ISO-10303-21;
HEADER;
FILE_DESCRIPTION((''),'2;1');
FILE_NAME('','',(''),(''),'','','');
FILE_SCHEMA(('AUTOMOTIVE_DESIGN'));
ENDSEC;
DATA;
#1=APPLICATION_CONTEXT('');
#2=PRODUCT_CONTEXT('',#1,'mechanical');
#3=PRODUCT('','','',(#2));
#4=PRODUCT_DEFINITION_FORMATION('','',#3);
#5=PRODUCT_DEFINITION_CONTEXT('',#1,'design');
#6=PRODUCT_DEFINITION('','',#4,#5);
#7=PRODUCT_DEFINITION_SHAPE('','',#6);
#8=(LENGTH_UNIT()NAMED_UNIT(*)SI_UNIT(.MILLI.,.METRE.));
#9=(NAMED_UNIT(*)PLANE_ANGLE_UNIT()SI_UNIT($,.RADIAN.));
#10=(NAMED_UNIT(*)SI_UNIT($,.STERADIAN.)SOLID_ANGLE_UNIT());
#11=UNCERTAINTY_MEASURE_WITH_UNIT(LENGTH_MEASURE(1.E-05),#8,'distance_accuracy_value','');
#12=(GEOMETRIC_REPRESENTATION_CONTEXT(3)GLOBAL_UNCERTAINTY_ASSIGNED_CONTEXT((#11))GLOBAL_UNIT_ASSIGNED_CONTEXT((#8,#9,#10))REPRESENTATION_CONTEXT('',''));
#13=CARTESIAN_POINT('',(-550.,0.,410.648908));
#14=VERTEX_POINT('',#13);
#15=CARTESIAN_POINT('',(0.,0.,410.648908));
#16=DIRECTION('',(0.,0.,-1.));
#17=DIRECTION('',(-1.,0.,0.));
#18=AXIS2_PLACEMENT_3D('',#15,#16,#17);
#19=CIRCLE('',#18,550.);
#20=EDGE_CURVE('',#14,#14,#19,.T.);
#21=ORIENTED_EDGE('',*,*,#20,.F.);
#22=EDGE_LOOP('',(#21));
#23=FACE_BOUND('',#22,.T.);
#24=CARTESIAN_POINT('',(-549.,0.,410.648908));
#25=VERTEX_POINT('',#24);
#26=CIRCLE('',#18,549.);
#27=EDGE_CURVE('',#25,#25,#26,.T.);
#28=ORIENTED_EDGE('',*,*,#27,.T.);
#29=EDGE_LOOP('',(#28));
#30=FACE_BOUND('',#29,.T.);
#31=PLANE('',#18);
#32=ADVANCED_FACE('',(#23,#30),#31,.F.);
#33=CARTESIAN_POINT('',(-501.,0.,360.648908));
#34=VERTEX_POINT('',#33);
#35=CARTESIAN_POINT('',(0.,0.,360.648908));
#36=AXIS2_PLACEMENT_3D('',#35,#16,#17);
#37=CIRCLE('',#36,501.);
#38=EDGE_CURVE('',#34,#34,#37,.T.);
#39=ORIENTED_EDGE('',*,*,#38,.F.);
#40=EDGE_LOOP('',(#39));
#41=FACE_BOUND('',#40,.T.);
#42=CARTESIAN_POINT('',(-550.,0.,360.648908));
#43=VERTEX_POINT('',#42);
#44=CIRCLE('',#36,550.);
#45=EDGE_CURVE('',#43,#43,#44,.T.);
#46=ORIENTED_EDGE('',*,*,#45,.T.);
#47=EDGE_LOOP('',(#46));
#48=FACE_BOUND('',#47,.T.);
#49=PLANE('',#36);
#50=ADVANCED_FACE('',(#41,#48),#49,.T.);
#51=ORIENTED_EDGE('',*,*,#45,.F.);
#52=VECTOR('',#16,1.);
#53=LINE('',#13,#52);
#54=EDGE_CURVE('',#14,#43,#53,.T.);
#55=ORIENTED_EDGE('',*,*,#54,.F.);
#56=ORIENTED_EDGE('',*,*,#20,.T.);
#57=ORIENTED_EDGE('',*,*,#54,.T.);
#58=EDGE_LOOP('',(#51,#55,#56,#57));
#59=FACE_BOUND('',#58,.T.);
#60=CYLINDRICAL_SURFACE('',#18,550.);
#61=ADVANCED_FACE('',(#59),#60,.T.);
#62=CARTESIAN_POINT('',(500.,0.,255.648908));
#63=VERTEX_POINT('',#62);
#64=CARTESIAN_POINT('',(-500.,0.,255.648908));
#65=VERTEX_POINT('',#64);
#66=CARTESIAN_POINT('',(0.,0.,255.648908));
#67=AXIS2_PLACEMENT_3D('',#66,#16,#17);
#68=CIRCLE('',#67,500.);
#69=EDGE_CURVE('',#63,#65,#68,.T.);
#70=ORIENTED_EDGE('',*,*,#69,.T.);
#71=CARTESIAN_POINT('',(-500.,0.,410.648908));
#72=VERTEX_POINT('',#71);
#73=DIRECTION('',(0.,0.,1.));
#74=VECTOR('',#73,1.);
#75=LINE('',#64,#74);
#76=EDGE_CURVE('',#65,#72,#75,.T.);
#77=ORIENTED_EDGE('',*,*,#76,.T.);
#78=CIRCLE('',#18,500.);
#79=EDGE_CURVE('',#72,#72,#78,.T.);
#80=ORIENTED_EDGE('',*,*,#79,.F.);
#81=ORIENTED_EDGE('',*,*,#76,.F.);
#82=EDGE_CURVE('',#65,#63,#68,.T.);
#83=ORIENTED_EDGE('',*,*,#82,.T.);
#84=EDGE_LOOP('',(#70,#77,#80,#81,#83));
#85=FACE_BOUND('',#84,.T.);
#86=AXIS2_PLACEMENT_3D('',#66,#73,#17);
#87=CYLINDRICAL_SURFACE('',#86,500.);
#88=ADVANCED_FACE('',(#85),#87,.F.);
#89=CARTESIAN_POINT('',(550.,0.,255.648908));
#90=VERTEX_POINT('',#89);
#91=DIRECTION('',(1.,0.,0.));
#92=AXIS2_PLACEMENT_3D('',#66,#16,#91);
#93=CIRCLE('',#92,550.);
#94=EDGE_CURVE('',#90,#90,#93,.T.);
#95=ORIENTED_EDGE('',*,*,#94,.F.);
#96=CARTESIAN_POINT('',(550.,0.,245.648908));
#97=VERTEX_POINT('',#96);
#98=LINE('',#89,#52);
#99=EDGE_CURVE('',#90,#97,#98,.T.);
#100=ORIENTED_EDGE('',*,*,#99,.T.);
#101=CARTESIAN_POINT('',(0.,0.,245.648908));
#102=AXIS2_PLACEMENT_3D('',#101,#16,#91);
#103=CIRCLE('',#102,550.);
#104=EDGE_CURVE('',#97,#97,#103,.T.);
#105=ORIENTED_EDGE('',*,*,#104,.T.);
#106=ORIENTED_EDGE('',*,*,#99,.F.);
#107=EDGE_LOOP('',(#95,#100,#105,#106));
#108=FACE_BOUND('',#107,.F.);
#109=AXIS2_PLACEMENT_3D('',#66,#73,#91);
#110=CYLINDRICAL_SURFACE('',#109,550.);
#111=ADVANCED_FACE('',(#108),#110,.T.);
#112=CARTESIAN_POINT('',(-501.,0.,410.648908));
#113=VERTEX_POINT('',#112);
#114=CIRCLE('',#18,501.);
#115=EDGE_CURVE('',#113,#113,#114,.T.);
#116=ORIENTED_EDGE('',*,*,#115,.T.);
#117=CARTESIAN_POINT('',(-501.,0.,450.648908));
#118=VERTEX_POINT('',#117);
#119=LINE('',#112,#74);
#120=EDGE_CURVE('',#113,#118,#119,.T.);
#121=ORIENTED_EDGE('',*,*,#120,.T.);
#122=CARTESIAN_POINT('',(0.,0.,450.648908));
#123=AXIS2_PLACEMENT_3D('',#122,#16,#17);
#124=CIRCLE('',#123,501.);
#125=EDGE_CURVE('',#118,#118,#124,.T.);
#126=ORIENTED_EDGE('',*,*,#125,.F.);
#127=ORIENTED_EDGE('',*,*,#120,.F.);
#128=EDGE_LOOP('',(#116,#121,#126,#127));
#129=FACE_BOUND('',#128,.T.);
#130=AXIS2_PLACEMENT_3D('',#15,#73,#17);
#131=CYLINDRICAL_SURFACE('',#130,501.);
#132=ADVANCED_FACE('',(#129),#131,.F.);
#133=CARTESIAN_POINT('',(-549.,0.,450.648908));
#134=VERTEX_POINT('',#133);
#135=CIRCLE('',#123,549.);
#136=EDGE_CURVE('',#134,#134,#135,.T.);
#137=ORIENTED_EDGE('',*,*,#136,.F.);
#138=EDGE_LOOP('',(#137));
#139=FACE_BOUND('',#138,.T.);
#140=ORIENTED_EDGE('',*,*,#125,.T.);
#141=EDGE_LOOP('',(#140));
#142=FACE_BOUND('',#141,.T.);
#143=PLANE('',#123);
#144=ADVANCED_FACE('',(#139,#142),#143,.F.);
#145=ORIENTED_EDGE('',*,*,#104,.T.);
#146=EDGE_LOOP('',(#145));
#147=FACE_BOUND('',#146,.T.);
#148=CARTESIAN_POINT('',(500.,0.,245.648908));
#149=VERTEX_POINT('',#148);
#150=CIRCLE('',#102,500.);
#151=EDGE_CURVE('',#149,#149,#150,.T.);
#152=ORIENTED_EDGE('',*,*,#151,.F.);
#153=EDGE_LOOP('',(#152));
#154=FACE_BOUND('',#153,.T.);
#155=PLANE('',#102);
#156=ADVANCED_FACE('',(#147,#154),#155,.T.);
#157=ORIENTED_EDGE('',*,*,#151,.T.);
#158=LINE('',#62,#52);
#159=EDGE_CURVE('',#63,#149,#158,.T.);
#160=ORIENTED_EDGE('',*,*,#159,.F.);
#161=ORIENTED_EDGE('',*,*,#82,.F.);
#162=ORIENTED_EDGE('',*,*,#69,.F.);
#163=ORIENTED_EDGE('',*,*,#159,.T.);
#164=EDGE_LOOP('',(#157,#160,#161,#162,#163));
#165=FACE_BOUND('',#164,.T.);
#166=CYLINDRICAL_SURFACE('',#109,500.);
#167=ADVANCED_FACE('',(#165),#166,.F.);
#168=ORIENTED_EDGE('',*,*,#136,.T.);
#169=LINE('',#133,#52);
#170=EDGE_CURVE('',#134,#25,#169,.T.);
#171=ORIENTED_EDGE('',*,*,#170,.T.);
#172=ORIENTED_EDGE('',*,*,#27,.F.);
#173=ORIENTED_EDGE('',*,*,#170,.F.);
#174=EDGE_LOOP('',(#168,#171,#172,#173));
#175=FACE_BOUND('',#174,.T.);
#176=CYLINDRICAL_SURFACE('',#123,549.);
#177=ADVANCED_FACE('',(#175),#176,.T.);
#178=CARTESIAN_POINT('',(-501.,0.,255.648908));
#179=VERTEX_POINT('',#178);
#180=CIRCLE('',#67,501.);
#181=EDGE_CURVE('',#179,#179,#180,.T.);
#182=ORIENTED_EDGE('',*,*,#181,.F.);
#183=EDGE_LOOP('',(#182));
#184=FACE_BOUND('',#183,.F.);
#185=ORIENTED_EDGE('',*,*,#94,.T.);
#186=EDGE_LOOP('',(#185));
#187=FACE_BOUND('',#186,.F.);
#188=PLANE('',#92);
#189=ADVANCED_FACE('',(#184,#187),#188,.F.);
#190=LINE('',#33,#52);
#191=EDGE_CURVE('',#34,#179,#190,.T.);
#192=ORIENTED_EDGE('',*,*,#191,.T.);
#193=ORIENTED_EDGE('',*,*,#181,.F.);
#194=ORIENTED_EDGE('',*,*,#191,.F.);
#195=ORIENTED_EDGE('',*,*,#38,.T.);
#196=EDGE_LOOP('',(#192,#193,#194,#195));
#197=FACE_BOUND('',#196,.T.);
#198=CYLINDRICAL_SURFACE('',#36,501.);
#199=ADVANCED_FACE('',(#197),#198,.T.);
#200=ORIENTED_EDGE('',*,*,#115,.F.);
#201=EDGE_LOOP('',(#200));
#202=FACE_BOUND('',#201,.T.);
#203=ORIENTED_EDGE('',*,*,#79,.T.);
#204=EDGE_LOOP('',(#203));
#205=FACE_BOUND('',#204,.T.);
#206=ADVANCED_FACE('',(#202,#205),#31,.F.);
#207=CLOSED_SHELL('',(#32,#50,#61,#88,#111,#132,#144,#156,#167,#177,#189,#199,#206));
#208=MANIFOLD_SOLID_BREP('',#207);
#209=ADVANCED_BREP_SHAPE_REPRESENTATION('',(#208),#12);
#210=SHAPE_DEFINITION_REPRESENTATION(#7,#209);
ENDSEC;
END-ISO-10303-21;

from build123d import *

# Parameters (mm, degrees)
F2_R     = 550
F2_R_2   = 500
F3_DEPTH = 10


with BuildPart() as f1:
    # F0 (on Front) → F1 (revolve)
    with BuildSketch(Plane.XZ):
        Polygon((-500, 255.648908), (-500, 295.648908), (-500, 410.648908), (-501, 410.648908), (-501, 450.648908), (-549, 450.648908), (-549, 410.648908), (-550, 410.648908), (-550, 360.648908), (-501, 360.648908), (-501, 295.648908), (-501, 255.648908), align=None)
    revolve(axis=Axis((0, 0, 3.084838), (0, 0, -1)))

    # F2 (on face) → F3 (join)
    with BuildSketch(Plane(origin=(0, 0, 255.648908), x_dir=(1, 0, 0), z_dir=(0, 0, -1))):
        Circle(F2_R)
        Circle(F2_R_2, mode=Mode.SUBTRACT)
    extrude(amount=F3_DEPTH)


solid = f1.part
